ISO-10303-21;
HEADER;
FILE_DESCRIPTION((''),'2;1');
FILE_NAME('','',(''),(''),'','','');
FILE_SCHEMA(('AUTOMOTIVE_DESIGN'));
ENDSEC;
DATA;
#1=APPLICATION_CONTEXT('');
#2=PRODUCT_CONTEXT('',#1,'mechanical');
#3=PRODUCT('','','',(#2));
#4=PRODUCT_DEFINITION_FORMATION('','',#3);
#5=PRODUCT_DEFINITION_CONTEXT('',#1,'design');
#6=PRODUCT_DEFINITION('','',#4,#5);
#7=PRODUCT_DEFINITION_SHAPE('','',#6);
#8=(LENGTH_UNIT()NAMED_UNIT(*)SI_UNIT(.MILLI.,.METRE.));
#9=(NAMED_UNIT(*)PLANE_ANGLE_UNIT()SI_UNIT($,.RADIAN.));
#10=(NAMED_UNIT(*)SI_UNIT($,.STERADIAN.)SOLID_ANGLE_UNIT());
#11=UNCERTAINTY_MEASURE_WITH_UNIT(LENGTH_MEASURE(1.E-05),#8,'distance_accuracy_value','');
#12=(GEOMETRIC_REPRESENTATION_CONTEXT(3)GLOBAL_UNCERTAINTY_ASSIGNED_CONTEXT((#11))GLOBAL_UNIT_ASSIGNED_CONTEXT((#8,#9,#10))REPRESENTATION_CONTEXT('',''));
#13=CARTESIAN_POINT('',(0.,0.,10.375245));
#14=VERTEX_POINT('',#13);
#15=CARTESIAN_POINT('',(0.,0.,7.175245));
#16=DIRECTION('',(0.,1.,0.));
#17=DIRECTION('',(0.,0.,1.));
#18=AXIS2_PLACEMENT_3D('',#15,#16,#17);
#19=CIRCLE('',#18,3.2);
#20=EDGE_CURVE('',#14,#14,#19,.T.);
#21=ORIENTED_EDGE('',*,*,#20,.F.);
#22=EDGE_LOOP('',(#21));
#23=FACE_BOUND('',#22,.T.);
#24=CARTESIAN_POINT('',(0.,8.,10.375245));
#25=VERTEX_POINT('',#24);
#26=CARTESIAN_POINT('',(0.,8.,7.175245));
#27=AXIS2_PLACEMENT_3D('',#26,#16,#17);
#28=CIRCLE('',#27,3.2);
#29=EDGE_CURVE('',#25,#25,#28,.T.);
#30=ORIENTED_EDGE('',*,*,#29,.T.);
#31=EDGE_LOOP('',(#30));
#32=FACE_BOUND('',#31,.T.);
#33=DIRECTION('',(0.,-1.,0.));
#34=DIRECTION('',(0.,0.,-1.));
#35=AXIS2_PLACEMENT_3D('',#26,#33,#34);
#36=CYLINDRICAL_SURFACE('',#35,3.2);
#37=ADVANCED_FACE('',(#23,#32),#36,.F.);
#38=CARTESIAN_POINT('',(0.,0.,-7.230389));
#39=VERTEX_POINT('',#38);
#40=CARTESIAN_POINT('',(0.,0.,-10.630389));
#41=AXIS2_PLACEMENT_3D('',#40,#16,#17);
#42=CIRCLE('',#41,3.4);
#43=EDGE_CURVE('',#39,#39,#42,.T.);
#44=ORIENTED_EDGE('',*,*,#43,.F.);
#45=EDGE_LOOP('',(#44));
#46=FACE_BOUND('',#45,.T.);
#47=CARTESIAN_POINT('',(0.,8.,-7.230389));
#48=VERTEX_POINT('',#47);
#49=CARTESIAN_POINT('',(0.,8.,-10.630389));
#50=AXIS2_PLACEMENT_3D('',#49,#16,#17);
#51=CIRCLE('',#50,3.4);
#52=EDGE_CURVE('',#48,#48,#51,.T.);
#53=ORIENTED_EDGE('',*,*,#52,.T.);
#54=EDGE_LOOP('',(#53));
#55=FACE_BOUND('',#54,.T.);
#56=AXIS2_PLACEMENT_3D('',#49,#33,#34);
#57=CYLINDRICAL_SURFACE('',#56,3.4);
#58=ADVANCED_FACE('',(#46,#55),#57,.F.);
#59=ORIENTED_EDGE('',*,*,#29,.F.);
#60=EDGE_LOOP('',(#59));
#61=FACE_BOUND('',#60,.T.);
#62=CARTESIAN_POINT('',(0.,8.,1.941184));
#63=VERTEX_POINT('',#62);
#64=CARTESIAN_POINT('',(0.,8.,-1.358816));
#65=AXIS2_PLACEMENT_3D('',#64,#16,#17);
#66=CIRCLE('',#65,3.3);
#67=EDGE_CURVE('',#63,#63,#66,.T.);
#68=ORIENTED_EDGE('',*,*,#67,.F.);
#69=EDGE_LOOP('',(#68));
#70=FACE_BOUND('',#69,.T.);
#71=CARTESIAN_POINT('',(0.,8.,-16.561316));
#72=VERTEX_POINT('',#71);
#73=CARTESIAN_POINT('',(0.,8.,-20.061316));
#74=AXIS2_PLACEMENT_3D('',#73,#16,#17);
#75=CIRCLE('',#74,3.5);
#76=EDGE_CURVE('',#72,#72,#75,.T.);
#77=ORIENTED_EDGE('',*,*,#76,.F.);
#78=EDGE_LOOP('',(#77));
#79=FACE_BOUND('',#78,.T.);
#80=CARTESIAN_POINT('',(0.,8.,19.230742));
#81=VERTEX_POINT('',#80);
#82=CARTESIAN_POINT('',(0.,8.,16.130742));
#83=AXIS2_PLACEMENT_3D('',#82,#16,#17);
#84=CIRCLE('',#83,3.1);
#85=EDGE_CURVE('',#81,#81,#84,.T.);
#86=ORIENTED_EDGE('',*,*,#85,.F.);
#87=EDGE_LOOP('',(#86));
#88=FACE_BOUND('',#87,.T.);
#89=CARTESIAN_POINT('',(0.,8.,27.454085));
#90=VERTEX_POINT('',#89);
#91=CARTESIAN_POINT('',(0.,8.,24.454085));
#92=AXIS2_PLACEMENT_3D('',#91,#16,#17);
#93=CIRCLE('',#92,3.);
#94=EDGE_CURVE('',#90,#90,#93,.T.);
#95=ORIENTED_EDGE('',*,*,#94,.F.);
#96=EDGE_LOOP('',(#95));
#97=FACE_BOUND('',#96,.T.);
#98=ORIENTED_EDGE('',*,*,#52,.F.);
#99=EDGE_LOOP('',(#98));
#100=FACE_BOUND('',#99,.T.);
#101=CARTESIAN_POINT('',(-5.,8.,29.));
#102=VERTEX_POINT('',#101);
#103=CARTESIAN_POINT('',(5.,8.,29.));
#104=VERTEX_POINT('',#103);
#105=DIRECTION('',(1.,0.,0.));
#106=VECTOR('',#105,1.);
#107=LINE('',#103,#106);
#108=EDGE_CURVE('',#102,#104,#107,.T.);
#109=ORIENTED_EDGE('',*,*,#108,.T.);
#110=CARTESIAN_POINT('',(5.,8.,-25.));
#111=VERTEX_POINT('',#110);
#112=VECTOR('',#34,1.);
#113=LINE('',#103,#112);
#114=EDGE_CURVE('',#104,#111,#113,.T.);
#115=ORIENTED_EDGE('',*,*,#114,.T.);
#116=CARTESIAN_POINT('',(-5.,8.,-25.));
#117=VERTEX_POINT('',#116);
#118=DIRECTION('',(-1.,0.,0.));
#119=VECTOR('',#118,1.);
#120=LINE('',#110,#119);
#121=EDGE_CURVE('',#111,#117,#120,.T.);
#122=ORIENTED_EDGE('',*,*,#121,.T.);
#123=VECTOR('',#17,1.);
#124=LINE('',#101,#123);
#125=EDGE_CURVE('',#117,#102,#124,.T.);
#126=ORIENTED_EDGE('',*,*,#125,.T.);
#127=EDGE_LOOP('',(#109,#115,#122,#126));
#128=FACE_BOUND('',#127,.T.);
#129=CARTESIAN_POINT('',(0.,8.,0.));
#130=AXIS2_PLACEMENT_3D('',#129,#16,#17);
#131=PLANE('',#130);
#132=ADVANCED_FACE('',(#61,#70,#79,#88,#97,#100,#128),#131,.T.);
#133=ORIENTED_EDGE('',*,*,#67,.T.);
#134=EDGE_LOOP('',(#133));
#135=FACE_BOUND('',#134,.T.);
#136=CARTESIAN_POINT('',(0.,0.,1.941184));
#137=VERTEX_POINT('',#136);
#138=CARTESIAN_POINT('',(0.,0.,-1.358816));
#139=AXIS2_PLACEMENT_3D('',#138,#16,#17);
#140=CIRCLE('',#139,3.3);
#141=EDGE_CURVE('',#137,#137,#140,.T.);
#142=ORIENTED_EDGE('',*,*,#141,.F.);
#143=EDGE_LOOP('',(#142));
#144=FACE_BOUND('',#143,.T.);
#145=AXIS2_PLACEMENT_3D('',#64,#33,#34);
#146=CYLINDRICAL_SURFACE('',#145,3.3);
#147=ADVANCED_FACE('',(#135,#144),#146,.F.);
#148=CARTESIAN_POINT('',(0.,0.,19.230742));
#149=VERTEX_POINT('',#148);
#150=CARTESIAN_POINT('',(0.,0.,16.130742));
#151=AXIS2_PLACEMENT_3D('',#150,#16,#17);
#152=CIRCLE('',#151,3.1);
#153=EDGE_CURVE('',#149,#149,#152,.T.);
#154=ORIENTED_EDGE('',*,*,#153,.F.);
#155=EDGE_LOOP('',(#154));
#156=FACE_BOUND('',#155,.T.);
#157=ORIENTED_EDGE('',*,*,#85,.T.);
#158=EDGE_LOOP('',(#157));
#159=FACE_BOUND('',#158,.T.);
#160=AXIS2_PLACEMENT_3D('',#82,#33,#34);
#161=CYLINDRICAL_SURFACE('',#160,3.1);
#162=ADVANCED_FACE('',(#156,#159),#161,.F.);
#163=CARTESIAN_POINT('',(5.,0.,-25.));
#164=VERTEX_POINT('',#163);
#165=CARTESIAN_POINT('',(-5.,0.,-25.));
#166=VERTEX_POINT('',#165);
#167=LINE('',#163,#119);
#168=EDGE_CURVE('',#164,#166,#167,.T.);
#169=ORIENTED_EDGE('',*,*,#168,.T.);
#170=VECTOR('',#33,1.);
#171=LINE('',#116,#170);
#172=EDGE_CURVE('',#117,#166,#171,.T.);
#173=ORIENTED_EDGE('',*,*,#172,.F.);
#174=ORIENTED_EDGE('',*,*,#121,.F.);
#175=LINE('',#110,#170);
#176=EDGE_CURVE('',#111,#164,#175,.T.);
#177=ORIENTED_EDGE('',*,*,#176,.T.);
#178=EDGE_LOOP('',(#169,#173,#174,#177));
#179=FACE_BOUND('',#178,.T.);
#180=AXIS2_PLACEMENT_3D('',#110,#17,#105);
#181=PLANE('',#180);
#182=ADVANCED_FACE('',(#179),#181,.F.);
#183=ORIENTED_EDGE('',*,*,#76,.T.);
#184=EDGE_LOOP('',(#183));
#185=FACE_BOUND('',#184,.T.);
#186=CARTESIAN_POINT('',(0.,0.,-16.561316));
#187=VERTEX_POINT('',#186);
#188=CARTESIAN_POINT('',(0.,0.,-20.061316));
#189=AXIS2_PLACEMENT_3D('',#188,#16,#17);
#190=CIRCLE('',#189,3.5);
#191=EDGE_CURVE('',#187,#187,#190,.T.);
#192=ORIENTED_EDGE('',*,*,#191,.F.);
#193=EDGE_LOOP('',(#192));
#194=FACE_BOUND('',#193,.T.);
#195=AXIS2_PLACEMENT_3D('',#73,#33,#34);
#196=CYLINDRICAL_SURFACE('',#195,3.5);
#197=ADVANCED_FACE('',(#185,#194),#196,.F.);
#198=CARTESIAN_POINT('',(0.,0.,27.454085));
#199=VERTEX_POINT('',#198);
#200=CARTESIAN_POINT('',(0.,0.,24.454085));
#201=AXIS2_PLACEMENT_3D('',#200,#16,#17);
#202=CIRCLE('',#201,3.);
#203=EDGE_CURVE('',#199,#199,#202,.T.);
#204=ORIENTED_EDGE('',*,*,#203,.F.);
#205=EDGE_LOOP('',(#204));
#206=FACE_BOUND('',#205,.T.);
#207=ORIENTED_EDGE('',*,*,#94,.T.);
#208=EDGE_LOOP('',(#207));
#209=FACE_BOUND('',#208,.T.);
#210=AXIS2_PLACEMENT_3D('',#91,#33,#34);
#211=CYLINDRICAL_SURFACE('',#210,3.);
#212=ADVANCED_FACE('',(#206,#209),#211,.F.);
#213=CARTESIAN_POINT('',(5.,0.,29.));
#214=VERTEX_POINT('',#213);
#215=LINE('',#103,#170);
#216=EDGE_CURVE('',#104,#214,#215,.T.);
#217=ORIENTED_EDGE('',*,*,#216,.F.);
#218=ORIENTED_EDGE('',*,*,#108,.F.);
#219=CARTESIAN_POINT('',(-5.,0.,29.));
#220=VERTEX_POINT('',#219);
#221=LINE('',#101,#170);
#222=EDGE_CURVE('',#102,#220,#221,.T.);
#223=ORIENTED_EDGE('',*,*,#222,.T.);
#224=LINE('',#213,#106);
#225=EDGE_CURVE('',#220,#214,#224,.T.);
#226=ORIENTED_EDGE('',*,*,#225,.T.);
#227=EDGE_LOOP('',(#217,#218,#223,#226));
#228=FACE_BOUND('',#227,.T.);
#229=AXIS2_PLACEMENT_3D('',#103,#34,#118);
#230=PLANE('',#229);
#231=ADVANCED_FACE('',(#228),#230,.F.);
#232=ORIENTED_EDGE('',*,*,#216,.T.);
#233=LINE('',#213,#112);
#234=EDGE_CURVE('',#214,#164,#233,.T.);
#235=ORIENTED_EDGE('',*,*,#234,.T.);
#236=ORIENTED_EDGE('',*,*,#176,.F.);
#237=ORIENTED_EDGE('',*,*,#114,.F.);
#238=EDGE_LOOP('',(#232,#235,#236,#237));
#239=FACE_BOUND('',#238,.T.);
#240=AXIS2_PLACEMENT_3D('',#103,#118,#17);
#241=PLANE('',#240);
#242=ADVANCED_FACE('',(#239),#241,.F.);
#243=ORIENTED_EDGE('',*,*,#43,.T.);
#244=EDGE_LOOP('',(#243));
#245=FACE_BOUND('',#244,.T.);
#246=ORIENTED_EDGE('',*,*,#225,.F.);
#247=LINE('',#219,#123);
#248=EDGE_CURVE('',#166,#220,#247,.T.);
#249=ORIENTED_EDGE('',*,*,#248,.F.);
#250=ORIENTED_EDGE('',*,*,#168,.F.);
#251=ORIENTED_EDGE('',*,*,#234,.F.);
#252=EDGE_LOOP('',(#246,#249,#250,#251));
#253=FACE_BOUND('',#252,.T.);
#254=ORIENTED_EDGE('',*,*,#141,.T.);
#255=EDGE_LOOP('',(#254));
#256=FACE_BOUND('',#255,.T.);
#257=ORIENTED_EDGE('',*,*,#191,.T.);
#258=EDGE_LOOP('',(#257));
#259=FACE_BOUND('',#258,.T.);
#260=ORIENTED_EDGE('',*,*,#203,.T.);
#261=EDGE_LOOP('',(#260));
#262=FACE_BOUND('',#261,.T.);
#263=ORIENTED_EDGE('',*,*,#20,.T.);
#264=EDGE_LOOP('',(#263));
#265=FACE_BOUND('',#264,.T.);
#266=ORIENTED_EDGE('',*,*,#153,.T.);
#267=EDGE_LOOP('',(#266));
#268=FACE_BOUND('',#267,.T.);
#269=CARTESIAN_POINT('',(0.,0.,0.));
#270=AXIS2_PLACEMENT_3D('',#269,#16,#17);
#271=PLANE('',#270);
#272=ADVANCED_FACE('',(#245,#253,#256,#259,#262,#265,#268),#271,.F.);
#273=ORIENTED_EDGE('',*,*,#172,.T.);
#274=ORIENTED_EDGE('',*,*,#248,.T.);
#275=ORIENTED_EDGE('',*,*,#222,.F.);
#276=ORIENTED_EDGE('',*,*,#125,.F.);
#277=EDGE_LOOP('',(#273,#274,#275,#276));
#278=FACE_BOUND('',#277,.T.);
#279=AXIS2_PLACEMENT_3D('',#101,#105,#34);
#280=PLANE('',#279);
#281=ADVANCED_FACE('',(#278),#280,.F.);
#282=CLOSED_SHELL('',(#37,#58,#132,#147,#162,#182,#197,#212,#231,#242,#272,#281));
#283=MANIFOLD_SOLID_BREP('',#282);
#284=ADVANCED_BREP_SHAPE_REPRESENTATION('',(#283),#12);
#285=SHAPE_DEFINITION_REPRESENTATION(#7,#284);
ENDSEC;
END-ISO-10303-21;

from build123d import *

# Parameters (mm, degrees)
CROQUIS3_W              = 10
CROQUIS3_H              = 54
CROQUIS3_R              = 3.1
CROQUIS3_R_2            = 3.3
CROQUIS3_R_3            = 3.4
CROQUIS3_R_4            = 3.5
CROQUIS3_R_5            = 3
CROQUIS3_R_6            = 3.2
SALIENTE_EXTRUIR1_DEPTH = 8


with BuildPart() as part:
    # Croquis3 → Saliente-Extruir1 (new body)
    with BuildSketch(Plane(origin=(0, 0, 0), x_dir=(1, 0, 0), z_dir=(0, 1, 0))):
        with Locations((0, -2)):
            Rectangle(CROQUIS3_W, CROQUIS3_H)
        with Locations(Location((0, -16.130741571, 0), (0, 0, 270))):
            Circle(CROQUIS3_R, mode=Mode.SUBTRACT)
        with Locations(Location((0, 1.358816273, 0), (0, 0, 270))):
            Circle(CROQUIS3_R_2, mode=Mode.SUBTRACT)
        with Locations(Location((0, 10.630389106, 0), (0, 0, 270))):
            Circle(CROQUIS3_R_3, mode=Mode.SUBTRACT)
        with Locations(Location((0, 20.061315879, 0), (0, 0, 270))):
            Circle(CROQUIS3_R_4, mode=Mode.SUBTRACT)
        with Locations(Location((0, -24.454085364, 0), (0, 0, 270))):
            Circle(CROQUIS3_R_5, mode=Mode.SUBTRACT)
        with Locations(Location((0, -7.175245084, 0), (0, 0, 270))):
            Circle(CROQUIS3_R_6, mode=Mode.SUBTRACT)
    extrude(amount=SALIENTE_EXTRUIR1_DEPTH)


solid = part.part
